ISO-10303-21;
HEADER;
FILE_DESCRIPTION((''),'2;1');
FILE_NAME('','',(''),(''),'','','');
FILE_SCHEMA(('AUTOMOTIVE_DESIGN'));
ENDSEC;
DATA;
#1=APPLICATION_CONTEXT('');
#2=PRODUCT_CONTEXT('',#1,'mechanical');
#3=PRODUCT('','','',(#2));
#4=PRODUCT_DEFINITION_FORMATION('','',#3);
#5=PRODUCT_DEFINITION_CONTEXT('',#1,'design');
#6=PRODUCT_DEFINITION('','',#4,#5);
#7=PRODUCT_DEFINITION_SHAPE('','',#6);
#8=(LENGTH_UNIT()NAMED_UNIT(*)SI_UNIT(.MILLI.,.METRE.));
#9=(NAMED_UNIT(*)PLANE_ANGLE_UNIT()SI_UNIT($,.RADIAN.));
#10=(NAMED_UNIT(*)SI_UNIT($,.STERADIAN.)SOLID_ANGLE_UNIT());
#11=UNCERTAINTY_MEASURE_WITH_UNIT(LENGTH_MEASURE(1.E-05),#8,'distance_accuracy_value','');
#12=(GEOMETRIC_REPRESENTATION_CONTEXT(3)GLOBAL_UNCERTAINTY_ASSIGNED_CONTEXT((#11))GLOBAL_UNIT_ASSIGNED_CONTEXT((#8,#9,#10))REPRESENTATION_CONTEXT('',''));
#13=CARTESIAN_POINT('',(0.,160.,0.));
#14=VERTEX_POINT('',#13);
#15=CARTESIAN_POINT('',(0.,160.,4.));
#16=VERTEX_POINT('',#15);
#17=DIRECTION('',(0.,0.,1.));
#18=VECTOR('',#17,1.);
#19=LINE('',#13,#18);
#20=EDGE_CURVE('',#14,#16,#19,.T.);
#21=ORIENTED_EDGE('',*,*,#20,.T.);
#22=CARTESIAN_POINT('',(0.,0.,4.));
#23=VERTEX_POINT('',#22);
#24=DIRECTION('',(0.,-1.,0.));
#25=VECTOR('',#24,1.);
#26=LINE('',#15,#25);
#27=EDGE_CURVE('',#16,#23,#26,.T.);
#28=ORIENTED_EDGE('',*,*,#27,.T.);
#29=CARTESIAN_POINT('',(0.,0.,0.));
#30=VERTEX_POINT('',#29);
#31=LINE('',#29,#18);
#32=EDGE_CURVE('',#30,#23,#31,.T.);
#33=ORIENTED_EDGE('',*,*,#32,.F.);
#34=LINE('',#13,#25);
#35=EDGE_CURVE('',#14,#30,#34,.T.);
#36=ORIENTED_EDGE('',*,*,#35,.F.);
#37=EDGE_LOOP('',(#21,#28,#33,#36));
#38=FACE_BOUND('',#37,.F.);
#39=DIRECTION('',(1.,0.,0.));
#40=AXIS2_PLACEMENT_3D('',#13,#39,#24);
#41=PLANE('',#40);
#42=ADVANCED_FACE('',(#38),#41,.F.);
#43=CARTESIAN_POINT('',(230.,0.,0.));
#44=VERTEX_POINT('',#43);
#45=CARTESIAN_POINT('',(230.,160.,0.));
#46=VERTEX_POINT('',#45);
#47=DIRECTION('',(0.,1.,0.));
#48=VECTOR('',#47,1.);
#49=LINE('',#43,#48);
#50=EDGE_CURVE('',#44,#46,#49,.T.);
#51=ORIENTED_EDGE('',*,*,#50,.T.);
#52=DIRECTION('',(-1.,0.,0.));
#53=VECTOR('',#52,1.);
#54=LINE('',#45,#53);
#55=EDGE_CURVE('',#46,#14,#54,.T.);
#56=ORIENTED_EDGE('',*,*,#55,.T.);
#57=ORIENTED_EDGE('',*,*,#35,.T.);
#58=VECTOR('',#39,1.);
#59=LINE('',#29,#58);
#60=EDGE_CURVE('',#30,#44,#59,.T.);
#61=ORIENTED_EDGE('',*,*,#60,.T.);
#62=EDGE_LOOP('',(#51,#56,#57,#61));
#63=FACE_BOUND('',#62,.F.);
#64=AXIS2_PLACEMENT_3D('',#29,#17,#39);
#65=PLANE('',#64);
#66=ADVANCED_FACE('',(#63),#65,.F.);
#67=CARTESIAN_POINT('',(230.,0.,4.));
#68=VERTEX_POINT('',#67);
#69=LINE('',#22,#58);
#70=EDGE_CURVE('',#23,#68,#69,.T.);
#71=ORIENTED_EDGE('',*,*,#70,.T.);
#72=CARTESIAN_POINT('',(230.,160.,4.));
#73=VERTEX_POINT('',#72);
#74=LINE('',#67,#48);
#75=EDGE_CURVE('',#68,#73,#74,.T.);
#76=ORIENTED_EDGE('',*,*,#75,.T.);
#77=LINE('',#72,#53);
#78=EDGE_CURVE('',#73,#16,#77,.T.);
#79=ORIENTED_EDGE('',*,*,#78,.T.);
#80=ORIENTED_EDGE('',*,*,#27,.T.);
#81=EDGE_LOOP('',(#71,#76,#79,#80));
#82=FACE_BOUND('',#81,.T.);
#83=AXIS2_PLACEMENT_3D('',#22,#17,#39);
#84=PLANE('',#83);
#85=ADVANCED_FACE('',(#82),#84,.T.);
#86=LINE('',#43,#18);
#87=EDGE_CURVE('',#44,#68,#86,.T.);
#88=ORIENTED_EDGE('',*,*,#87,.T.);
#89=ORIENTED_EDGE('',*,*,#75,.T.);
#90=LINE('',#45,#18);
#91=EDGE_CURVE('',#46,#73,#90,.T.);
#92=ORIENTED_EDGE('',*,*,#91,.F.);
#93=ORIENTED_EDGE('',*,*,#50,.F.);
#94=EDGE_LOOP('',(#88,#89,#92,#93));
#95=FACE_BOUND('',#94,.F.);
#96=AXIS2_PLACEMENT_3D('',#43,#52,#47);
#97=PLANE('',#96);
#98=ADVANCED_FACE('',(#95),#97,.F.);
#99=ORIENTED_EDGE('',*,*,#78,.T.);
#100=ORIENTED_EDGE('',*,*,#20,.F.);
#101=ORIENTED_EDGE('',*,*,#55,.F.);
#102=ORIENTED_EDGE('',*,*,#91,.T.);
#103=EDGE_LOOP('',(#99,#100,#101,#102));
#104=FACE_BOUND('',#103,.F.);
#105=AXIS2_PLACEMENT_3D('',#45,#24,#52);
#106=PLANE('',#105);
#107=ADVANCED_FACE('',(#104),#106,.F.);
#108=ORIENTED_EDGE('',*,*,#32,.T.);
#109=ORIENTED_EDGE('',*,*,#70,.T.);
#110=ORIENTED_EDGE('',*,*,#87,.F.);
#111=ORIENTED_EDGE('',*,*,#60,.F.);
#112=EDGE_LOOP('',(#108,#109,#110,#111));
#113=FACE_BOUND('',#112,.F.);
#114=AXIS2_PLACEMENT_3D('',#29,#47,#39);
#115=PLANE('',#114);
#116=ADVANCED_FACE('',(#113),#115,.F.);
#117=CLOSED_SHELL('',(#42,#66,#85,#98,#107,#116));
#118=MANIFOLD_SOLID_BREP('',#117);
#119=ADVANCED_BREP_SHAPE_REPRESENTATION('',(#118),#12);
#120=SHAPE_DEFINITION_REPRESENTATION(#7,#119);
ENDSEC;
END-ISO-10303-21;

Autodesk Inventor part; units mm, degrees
ref_plane "YZ Plane" through (0, 0, 0) normal (1, 0, 0) x (0, 1, 0)
ref_plane "XZ Plane" through (0, 0, 0) normal (0, 1, 0) x (-1, 0, 0)
ref_plane "XY Plane" through (0, 0, 0) normal (0, 0, 1) x (1, 0, 0)
sketch "Boceto1" plane through (0, 0, 0) normal (0, 0, 1) x (1, 0, 0)
  line L0 (0, 0) -> (230, 0)
  line L1 (230, 0) -> (230, 160)
  line L2 (230, 160) -> (0, 160)
  line L3 (0, 160) -> (0, 0)
  dimension "d0" = 230
  dimension "d1" = 160
extrude "Extrusión1" add sketch "Boceto1" along normal blind 4
properties part number "base3" material "Madera (abedul)"
